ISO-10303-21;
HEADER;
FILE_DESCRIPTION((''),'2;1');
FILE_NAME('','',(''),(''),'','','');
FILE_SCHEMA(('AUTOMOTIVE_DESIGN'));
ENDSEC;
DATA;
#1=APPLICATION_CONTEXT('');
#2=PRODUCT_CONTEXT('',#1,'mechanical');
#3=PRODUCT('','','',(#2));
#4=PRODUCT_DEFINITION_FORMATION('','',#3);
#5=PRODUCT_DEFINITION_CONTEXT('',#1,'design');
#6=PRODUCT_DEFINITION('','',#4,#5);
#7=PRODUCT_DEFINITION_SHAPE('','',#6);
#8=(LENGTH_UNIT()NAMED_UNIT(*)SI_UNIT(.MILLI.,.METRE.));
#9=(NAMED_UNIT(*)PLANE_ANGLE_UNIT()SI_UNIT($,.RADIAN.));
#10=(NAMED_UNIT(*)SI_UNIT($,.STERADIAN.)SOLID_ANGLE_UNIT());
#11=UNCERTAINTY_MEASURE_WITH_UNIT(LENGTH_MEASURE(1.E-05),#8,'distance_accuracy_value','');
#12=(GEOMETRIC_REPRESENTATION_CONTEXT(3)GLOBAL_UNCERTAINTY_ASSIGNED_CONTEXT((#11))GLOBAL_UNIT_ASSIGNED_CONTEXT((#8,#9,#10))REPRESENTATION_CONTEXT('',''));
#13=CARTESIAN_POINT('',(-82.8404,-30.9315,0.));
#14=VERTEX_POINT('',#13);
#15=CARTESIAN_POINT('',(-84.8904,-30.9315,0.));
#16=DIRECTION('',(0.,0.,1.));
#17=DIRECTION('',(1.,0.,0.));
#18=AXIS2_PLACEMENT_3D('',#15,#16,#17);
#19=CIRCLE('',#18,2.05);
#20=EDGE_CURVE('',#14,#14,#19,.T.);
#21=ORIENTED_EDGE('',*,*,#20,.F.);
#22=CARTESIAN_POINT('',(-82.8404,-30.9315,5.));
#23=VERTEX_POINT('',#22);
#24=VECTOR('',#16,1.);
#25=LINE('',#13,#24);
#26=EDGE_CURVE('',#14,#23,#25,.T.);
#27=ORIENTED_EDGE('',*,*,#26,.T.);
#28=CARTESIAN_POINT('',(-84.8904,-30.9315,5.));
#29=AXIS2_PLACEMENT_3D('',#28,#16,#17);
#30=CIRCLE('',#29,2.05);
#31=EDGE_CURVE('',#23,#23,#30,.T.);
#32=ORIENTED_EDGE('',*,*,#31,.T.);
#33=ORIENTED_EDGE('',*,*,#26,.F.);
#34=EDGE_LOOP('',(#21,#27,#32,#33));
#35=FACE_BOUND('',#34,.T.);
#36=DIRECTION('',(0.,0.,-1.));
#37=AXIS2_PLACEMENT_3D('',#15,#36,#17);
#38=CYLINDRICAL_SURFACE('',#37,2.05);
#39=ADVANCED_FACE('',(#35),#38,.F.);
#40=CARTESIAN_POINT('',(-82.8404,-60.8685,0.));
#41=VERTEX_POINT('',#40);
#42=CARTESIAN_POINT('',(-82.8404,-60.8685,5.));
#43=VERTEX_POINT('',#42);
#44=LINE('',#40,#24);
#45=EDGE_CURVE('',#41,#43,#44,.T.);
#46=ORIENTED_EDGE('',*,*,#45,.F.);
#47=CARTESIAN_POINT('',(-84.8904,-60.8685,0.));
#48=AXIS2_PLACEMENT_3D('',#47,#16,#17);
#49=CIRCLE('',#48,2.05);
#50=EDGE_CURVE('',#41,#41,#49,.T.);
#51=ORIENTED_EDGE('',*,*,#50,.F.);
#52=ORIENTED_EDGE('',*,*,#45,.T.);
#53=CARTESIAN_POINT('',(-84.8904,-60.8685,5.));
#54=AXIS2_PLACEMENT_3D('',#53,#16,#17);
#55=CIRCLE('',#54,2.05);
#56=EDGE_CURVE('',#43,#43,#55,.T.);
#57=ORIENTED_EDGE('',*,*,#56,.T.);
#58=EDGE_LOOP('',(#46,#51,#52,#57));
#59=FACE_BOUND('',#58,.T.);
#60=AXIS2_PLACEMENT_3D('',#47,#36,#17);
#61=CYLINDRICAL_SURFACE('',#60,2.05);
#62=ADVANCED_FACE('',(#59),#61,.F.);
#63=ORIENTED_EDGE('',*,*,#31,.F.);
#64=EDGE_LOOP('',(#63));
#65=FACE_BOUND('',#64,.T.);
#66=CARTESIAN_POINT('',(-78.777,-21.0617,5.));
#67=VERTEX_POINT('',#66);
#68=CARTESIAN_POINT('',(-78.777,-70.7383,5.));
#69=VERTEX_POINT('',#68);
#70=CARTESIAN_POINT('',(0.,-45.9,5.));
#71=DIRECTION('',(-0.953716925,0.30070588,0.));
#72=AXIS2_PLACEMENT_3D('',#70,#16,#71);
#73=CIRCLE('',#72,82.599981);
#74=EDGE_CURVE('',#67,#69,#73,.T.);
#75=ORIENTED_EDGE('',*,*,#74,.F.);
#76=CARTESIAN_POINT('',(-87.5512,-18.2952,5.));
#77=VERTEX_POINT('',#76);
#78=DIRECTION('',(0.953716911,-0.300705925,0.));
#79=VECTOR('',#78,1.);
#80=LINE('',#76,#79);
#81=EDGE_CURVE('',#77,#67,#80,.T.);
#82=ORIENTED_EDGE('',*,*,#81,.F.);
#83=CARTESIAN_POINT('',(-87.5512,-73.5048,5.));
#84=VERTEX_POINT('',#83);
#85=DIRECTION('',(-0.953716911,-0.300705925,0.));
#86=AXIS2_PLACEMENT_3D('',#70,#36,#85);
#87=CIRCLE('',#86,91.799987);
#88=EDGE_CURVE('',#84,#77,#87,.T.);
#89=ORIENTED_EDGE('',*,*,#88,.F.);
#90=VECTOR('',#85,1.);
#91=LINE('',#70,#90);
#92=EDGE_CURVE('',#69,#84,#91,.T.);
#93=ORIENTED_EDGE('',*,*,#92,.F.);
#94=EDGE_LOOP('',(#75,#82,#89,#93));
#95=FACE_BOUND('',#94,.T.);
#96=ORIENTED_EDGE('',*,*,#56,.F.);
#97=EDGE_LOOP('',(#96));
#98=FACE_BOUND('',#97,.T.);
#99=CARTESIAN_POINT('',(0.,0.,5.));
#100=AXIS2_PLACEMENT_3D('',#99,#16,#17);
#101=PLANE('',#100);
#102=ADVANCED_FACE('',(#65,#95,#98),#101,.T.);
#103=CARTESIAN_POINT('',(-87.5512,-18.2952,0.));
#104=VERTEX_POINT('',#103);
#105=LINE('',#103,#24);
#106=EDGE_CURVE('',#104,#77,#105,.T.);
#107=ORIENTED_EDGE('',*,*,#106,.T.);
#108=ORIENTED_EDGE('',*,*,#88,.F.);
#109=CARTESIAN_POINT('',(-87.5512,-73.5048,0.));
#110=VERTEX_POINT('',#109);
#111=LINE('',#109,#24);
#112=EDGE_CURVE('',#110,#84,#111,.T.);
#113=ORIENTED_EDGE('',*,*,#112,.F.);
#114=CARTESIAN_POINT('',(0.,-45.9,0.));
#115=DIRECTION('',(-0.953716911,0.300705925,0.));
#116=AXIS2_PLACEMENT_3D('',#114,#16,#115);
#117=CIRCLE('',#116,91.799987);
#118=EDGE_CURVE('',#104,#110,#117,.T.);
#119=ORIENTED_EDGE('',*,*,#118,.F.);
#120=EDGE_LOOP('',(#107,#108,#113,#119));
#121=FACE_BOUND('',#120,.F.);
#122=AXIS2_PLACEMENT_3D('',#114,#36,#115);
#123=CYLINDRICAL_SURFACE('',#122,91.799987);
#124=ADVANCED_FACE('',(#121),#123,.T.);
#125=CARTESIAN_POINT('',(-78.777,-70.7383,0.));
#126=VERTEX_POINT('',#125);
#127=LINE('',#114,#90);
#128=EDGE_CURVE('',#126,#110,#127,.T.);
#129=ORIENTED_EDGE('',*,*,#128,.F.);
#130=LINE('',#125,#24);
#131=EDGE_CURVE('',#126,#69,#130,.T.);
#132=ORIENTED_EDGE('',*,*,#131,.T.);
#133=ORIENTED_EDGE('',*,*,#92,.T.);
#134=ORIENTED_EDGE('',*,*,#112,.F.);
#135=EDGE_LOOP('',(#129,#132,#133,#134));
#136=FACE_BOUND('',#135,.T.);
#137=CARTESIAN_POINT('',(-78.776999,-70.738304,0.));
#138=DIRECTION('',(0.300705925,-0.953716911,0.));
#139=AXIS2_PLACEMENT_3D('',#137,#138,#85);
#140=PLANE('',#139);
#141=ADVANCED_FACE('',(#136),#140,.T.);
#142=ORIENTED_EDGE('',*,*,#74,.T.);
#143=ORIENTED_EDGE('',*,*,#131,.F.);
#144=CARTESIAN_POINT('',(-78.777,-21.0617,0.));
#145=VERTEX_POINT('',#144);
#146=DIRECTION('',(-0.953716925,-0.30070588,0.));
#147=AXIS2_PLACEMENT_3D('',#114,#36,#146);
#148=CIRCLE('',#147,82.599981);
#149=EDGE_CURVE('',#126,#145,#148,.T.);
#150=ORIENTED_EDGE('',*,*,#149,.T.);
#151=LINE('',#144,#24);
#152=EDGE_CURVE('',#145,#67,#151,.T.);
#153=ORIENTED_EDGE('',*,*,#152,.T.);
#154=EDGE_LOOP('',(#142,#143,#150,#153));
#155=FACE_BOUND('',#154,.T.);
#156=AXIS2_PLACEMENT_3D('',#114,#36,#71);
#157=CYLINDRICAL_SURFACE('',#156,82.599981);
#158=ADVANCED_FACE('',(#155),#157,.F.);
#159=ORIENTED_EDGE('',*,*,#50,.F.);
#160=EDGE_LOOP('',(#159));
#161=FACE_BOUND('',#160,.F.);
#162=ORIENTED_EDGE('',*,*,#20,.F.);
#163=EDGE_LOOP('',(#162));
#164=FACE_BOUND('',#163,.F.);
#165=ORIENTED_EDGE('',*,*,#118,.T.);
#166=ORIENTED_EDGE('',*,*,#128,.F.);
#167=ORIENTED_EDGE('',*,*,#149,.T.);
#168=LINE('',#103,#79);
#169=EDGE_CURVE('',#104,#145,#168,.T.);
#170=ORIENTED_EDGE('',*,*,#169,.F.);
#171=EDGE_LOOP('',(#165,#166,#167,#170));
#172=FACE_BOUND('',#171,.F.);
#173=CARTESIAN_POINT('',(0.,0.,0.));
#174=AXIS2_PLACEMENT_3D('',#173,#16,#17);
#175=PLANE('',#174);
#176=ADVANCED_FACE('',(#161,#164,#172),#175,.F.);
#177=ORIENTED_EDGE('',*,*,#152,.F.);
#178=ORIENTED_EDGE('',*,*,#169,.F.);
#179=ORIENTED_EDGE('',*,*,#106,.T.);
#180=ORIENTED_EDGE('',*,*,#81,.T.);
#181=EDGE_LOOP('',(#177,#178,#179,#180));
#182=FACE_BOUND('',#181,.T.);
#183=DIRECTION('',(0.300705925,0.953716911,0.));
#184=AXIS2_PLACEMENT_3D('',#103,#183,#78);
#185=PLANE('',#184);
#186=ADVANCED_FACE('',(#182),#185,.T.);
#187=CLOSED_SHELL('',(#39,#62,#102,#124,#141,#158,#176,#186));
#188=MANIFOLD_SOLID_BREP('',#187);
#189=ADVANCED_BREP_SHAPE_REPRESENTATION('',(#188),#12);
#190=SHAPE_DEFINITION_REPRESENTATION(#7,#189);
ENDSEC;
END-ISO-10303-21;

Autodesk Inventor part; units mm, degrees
ref_plane "YZ Plane" through (0, 0, 0) normal (1, 0, 0) x (0, 1, 0)
ref_plane "XZ Plane" through (0, 0, 0) normal (0, 1, 0) x (-1, 0, 0)
ref_plane "XY Plane" through (0, 0, 0) normal (0, 0, 1) x (1, 0, 0)
ref_plane "Arbeitsebene1" through (0, 0, 0) normal (0, 0, 1) x (1, 0, 0)
sketch "Skizze1" plane through (0, 0, 0) normal (0, 0, 1) x (1, 0, 0)
  arc A0 (91.8, -45.9) -> (-91.8, -45.9) centre (0, -45.9) ccw construction
  line L0 (-91.8, -45.9) -> (-80.6, -45.9) construction
  arc A1 (-5.5, 34.5121) -> (-80.6, -45.9) centre (0, -45.9) ccw construction
  line L1 (-5.5, 34.5121) -> (-5.5, 40.0242) construction
  arc A2 (5.5, 40.0242) -> (-5.5, 40.0242) centre (0, -45.9) ccw construction
  line L2 (5.5, 40.0242) -> (5.5, 34.5121) construction
  arc A3 (80.6, -45.9) -> (5.5, 34.5121) centre (0, -45.9) ccw construction
  line L3 (80.6, -45.9) -> (91.8, -45.9) construction
  arc A4 (-91.8, -45.9) -> (91.8, -45.9) centre (0, -45.9) ccw construction
  line L4 (91.8, -45.9) -> (80.6, -45.9) construction
  arc A5 (-80.6, -45.9) -> (80.6, -45.9) centre (0, -45.9) ccw construction
  line L5 (-80.6, -45.9) -> (-91.8, -45.9) construction
  circle A6 centre (-84.8904, -30.9315) radius 2.05
  circle A7 centre (-84.8904, -60.8685) radius 2.05
  circle A8 centre (84.8904, -30.9315) radius 2.05
  circle A9 centre (84.8904, -60.8685) radius 2.05
  arc A10 (-87.5512, -18.2952) -> (-87.5512, -73.5048) centre (0, -45.9) ccw
  line L6 (-87.5512, -18.2952) -> (0, -45.9)
  line L7 (0, -45.9) -> (-87.5512, -73.5048)
  line L8 (-91.8, -45.9) -> (-80.6, -45.9)
  circle A11 centre (84.8904, -60.8685) radius 2.05
  circle A12 centre (-84.8904, -60.8685) radius 2.05
  circle A13 centre (-84.8904, -30.9315) radius 2.05
  circle A14 centre (84.8904, -30.9315) radius 2.05
  arc A15 (-78.777, -21.0617) -> (-78.777, -70.7383) centre (0, -45.9) ccw
  point P0 (0, 0)
  point P1 (-76.8696, -21.6631)
  point P2 (-76.8696, -70.1369)
extrude "Extrusion1" add sketch "Skizze1" along normal blind 5 contours L6 A15 L8 A10 | L8 A15 L7 A10
properties part number "Montage_Ring_Hinten_Aufdickung"
